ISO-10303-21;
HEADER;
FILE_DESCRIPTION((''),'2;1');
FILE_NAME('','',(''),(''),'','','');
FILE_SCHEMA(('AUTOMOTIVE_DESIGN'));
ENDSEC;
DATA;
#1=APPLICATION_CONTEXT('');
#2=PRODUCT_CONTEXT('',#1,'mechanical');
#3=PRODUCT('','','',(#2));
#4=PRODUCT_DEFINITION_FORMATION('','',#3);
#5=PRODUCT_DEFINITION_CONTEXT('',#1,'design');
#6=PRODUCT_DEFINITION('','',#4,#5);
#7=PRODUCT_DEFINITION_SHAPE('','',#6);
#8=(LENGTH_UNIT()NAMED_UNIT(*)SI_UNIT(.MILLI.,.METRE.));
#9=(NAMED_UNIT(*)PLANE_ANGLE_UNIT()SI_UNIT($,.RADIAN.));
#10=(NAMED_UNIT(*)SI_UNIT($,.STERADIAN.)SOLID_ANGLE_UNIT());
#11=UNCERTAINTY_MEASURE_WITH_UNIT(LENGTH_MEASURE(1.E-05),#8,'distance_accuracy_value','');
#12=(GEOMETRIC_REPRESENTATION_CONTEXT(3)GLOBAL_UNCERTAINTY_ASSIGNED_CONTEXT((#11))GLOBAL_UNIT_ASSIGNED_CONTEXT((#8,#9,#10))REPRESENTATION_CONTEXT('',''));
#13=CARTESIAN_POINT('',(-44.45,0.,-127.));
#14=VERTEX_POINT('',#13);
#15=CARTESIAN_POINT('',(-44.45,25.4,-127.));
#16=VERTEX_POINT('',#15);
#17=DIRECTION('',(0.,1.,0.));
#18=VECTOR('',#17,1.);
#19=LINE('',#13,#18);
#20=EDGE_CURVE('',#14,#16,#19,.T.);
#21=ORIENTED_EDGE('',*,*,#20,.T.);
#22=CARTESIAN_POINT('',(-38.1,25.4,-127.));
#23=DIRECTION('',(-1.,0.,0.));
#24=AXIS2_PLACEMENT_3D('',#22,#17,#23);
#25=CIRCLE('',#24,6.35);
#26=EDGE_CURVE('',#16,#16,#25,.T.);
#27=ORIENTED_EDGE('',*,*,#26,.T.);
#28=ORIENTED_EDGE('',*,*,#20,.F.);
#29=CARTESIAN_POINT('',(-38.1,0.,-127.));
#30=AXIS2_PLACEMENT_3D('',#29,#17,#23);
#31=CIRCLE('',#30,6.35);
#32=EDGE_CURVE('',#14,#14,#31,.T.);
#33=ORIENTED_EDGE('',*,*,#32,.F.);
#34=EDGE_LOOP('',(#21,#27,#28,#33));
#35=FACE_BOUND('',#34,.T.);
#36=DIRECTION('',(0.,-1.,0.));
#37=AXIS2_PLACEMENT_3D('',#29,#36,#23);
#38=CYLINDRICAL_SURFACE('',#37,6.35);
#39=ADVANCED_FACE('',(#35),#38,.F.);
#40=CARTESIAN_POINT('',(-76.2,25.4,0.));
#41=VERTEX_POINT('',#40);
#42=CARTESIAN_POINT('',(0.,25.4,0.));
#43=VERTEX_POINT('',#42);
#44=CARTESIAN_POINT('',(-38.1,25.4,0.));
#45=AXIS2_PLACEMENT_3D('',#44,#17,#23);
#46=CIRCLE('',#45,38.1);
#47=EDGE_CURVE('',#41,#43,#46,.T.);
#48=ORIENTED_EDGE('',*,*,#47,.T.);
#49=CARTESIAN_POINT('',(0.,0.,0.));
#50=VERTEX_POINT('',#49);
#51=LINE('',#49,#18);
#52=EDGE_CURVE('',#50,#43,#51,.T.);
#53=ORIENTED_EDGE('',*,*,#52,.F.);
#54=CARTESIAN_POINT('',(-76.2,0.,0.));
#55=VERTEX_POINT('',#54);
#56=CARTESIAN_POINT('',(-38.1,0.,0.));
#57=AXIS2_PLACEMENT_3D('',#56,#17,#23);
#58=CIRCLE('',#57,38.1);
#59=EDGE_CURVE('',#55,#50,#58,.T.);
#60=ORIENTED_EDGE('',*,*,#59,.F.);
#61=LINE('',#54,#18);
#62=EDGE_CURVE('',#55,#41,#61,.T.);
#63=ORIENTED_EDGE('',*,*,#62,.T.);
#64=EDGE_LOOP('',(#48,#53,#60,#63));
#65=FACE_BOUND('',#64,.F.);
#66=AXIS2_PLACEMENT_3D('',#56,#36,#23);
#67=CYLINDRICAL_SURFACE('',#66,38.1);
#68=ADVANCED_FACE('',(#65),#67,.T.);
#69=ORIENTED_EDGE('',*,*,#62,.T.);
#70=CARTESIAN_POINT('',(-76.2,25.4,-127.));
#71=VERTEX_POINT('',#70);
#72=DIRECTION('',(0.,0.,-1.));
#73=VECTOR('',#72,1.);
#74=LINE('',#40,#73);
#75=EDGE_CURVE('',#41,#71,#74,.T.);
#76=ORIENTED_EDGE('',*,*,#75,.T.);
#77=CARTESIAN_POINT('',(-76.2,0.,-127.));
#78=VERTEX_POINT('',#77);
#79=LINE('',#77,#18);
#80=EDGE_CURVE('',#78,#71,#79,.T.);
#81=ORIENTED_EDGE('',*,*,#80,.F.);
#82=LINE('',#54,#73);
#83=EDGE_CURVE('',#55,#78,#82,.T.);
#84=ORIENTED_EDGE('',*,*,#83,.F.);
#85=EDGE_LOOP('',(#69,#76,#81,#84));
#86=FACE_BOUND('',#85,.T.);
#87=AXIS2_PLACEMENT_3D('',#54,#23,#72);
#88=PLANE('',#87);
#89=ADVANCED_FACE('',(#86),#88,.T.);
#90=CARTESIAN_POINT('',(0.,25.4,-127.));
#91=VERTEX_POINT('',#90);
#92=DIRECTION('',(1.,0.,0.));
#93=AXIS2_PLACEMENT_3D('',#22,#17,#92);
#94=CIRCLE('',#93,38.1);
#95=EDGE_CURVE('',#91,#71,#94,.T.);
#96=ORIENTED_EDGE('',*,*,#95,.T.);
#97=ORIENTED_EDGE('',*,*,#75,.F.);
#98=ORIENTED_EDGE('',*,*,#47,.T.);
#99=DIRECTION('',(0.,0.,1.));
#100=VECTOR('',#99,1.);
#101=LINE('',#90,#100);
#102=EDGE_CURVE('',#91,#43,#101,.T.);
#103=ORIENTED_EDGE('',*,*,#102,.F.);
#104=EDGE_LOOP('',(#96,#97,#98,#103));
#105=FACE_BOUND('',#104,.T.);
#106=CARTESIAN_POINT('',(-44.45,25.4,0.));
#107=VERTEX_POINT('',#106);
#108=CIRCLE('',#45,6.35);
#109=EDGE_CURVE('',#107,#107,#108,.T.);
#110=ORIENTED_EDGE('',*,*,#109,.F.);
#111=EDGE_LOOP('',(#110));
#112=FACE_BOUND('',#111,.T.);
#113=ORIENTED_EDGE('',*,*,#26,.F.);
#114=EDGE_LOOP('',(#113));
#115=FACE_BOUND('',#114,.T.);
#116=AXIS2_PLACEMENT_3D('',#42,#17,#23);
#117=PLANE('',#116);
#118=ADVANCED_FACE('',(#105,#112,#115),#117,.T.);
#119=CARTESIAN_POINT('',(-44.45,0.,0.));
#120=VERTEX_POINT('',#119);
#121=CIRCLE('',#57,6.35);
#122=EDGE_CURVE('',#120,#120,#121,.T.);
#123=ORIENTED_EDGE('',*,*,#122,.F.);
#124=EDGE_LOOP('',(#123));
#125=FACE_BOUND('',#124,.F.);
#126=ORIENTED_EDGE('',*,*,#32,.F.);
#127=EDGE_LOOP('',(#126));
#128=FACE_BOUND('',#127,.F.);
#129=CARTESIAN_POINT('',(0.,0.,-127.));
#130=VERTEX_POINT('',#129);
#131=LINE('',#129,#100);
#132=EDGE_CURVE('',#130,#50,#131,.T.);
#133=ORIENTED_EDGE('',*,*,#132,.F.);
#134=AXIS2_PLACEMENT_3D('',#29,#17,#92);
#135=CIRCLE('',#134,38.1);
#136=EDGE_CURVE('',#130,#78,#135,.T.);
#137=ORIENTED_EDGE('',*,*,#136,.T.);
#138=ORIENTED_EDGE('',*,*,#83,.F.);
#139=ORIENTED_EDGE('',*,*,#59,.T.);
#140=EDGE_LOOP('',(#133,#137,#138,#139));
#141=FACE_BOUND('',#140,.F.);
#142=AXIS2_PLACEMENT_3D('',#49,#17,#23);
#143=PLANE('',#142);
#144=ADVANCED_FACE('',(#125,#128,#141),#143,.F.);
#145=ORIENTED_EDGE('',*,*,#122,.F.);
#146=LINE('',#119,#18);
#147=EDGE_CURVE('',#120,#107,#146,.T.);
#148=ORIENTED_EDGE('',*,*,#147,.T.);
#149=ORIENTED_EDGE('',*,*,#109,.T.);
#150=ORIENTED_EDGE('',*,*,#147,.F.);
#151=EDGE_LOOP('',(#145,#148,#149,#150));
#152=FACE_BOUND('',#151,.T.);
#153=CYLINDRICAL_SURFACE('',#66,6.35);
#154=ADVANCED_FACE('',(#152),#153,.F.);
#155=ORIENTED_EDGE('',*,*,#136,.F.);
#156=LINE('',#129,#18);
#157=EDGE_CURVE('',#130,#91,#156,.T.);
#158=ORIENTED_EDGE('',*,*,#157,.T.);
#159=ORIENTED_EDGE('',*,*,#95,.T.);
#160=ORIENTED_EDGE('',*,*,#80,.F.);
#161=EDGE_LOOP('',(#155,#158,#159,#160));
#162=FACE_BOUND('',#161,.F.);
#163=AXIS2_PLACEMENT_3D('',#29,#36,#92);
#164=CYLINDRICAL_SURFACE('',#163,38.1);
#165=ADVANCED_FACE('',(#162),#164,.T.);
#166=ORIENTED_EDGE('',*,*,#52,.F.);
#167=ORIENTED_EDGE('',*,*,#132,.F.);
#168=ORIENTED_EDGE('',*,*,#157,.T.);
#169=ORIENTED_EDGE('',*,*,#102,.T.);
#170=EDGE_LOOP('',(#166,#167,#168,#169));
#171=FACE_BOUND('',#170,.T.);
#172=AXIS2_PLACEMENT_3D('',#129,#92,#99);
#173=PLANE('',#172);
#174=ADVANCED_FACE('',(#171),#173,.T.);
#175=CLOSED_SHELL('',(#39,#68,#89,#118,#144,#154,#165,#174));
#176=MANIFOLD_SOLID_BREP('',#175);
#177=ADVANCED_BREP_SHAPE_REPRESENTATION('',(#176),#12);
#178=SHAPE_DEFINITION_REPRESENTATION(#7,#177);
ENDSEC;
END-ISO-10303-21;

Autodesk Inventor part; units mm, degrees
ref_plane "YZ Plane" through (0, 0, 0) normal (1, 0, 0) x (0, 1, 0)
ref_plane "XZ Plane" through (0, 0, 0) normal (0, 1, 0) x (-1, 0, 0)
ref_plane "XY Plane" through (0, 0, 0) normal (0, 0, 1) x (1, 0, 0)
sketch "Sketch1" plane through (0, 0, 0) normal (0, 1, 0) x (-1, 0, 0)
  line L0 (76.2, 0) -> (76.2, -127)
  line L1 (0, -127) -> (0, 0)
  arc A0 (0, -127) -> (76.2, -127) centre (38.1, -127) ccw
  arc A1 (76.2, 0) -> (0, 0) centre (38.1, 0) ccw
  circle A2 centre (38.1, 0) radius 6.35
  circle A3 centre (38.1, -127) radius 6.35
  dimension "d2" = 12.7
  dimension "d3" = 12.7
  dimension "d6" = 76.2
extrude "Extrusion1" add sketch "Sketch1" along normal blind 25.4
properties part number "FirstChain"
